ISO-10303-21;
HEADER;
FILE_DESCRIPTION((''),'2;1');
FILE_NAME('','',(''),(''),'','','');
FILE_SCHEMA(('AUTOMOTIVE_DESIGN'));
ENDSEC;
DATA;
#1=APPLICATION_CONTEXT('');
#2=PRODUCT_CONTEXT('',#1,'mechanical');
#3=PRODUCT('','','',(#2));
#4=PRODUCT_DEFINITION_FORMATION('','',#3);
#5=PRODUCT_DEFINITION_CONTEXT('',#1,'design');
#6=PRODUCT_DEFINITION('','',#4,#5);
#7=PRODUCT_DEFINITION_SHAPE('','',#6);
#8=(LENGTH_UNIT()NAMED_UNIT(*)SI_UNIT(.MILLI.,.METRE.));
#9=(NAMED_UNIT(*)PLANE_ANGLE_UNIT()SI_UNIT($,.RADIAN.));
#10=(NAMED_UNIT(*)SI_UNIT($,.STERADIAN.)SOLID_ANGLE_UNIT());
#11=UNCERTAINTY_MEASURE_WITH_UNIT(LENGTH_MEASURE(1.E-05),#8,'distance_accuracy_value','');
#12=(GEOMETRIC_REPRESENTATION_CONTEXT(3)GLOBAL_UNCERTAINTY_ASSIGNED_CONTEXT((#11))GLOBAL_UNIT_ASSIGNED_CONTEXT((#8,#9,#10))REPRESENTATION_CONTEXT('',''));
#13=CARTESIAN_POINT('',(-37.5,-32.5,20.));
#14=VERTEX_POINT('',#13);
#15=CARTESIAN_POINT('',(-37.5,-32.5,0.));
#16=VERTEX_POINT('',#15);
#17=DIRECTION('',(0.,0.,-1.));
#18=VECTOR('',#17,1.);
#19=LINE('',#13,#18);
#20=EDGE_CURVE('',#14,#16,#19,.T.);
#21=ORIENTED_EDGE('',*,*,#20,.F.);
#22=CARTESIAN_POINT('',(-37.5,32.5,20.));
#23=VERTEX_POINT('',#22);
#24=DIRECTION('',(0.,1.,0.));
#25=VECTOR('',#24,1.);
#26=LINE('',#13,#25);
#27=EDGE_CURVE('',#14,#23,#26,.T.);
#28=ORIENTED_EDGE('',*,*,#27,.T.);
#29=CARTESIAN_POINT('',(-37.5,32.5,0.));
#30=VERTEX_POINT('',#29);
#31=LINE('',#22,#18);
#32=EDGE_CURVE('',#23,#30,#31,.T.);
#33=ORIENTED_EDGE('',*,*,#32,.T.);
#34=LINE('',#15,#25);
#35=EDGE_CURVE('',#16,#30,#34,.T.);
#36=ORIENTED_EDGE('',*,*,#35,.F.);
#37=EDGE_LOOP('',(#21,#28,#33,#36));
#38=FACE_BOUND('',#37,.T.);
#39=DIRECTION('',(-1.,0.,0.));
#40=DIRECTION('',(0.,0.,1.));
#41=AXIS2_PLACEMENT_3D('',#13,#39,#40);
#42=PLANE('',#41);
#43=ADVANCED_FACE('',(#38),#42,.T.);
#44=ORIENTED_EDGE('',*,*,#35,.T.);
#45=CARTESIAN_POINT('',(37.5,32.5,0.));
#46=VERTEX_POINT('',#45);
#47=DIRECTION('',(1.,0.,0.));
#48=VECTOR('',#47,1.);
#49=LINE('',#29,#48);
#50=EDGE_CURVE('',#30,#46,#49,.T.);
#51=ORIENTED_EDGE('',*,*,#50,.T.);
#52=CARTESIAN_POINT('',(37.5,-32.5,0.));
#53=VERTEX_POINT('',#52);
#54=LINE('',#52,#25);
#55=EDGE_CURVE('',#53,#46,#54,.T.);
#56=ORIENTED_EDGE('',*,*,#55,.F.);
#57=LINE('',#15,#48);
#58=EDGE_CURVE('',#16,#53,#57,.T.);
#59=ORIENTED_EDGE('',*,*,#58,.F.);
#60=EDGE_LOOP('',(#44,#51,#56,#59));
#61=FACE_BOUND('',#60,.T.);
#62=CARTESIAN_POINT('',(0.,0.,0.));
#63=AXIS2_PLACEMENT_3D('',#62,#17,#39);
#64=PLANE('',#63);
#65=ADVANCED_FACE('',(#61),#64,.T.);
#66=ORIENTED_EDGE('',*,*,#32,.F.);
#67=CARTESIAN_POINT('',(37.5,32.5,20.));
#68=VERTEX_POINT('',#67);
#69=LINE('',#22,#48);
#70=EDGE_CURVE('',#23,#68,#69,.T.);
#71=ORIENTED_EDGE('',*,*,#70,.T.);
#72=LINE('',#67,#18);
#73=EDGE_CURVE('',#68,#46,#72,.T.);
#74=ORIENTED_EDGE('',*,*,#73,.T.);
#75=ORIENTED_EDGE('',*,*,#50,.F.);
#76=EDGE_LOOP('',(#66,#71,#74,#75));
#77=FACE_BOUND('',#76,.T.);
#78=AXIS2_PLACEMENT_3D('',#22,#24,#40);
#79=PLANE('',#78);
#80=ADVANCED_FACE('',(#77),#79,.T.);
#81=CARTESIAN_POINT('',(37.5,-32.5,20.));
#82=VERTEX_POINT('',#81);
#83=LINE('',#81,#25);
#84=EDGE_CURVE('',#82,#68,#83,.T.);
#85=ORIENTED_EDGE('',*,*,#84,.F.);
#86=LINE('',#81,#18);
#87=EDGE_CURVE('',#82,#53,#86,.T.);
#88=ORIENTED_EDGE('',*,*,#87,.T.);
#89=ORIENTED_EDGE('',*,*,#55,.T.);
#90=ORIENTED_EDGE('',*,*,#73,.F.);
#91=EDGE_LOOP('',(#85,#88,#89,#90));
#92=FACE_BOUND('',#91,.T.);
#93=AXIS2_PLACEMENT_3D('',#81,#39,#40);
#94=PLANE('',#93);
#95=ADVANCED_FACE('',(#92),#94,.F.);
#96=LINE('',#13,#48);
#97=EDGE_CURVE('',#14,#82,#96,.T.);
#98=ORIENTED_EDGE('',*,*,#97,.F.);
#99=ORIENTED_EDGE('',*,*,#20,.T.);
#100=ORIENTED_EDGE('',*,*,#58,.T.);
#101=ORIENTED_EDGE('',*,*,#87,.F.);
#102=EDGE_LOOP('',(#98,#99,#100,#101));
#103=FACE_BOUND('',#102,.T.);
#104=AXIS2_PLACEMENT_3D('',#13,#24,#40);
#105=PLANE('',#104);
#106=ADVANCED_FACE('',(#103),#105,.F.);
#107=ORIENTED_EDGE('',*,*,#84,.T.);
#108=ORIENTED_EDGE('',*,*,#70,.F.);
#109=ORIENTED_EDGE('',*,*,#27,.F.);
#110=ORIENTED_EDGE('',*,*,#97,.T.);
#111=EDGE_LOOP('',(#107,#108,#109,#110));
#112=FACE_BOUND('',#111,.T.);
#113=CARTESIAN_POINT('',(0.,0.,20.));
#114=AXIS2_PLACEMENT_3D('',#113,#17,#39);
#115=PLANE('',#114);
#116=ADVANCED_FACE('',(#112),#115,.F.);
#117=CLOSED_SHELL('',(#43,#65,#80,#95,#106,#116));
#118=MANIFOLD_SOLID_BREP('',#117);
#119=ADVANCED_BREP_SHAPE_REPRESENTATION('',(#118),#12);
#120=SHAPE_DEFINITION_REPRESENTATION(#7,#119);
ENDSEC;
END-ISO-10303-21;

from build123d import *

# Parameters (mm, degrees)
ESQUISSE2_W        = 75
ESQUISSE2_H        = 65
BOSS_EXTRU_1_DEPTH = 20


with BuildPart() as part:
    # Esquisse2 → Boss.-Extru.1 (new body)
    with BuildSketch(Plane.XY):
        Rectangle(ESQUISSE2_W, ESQUISSE2_H)
    extrude(amount=BOSS_EXTRU_1_DEPTH)


solid = part.part
